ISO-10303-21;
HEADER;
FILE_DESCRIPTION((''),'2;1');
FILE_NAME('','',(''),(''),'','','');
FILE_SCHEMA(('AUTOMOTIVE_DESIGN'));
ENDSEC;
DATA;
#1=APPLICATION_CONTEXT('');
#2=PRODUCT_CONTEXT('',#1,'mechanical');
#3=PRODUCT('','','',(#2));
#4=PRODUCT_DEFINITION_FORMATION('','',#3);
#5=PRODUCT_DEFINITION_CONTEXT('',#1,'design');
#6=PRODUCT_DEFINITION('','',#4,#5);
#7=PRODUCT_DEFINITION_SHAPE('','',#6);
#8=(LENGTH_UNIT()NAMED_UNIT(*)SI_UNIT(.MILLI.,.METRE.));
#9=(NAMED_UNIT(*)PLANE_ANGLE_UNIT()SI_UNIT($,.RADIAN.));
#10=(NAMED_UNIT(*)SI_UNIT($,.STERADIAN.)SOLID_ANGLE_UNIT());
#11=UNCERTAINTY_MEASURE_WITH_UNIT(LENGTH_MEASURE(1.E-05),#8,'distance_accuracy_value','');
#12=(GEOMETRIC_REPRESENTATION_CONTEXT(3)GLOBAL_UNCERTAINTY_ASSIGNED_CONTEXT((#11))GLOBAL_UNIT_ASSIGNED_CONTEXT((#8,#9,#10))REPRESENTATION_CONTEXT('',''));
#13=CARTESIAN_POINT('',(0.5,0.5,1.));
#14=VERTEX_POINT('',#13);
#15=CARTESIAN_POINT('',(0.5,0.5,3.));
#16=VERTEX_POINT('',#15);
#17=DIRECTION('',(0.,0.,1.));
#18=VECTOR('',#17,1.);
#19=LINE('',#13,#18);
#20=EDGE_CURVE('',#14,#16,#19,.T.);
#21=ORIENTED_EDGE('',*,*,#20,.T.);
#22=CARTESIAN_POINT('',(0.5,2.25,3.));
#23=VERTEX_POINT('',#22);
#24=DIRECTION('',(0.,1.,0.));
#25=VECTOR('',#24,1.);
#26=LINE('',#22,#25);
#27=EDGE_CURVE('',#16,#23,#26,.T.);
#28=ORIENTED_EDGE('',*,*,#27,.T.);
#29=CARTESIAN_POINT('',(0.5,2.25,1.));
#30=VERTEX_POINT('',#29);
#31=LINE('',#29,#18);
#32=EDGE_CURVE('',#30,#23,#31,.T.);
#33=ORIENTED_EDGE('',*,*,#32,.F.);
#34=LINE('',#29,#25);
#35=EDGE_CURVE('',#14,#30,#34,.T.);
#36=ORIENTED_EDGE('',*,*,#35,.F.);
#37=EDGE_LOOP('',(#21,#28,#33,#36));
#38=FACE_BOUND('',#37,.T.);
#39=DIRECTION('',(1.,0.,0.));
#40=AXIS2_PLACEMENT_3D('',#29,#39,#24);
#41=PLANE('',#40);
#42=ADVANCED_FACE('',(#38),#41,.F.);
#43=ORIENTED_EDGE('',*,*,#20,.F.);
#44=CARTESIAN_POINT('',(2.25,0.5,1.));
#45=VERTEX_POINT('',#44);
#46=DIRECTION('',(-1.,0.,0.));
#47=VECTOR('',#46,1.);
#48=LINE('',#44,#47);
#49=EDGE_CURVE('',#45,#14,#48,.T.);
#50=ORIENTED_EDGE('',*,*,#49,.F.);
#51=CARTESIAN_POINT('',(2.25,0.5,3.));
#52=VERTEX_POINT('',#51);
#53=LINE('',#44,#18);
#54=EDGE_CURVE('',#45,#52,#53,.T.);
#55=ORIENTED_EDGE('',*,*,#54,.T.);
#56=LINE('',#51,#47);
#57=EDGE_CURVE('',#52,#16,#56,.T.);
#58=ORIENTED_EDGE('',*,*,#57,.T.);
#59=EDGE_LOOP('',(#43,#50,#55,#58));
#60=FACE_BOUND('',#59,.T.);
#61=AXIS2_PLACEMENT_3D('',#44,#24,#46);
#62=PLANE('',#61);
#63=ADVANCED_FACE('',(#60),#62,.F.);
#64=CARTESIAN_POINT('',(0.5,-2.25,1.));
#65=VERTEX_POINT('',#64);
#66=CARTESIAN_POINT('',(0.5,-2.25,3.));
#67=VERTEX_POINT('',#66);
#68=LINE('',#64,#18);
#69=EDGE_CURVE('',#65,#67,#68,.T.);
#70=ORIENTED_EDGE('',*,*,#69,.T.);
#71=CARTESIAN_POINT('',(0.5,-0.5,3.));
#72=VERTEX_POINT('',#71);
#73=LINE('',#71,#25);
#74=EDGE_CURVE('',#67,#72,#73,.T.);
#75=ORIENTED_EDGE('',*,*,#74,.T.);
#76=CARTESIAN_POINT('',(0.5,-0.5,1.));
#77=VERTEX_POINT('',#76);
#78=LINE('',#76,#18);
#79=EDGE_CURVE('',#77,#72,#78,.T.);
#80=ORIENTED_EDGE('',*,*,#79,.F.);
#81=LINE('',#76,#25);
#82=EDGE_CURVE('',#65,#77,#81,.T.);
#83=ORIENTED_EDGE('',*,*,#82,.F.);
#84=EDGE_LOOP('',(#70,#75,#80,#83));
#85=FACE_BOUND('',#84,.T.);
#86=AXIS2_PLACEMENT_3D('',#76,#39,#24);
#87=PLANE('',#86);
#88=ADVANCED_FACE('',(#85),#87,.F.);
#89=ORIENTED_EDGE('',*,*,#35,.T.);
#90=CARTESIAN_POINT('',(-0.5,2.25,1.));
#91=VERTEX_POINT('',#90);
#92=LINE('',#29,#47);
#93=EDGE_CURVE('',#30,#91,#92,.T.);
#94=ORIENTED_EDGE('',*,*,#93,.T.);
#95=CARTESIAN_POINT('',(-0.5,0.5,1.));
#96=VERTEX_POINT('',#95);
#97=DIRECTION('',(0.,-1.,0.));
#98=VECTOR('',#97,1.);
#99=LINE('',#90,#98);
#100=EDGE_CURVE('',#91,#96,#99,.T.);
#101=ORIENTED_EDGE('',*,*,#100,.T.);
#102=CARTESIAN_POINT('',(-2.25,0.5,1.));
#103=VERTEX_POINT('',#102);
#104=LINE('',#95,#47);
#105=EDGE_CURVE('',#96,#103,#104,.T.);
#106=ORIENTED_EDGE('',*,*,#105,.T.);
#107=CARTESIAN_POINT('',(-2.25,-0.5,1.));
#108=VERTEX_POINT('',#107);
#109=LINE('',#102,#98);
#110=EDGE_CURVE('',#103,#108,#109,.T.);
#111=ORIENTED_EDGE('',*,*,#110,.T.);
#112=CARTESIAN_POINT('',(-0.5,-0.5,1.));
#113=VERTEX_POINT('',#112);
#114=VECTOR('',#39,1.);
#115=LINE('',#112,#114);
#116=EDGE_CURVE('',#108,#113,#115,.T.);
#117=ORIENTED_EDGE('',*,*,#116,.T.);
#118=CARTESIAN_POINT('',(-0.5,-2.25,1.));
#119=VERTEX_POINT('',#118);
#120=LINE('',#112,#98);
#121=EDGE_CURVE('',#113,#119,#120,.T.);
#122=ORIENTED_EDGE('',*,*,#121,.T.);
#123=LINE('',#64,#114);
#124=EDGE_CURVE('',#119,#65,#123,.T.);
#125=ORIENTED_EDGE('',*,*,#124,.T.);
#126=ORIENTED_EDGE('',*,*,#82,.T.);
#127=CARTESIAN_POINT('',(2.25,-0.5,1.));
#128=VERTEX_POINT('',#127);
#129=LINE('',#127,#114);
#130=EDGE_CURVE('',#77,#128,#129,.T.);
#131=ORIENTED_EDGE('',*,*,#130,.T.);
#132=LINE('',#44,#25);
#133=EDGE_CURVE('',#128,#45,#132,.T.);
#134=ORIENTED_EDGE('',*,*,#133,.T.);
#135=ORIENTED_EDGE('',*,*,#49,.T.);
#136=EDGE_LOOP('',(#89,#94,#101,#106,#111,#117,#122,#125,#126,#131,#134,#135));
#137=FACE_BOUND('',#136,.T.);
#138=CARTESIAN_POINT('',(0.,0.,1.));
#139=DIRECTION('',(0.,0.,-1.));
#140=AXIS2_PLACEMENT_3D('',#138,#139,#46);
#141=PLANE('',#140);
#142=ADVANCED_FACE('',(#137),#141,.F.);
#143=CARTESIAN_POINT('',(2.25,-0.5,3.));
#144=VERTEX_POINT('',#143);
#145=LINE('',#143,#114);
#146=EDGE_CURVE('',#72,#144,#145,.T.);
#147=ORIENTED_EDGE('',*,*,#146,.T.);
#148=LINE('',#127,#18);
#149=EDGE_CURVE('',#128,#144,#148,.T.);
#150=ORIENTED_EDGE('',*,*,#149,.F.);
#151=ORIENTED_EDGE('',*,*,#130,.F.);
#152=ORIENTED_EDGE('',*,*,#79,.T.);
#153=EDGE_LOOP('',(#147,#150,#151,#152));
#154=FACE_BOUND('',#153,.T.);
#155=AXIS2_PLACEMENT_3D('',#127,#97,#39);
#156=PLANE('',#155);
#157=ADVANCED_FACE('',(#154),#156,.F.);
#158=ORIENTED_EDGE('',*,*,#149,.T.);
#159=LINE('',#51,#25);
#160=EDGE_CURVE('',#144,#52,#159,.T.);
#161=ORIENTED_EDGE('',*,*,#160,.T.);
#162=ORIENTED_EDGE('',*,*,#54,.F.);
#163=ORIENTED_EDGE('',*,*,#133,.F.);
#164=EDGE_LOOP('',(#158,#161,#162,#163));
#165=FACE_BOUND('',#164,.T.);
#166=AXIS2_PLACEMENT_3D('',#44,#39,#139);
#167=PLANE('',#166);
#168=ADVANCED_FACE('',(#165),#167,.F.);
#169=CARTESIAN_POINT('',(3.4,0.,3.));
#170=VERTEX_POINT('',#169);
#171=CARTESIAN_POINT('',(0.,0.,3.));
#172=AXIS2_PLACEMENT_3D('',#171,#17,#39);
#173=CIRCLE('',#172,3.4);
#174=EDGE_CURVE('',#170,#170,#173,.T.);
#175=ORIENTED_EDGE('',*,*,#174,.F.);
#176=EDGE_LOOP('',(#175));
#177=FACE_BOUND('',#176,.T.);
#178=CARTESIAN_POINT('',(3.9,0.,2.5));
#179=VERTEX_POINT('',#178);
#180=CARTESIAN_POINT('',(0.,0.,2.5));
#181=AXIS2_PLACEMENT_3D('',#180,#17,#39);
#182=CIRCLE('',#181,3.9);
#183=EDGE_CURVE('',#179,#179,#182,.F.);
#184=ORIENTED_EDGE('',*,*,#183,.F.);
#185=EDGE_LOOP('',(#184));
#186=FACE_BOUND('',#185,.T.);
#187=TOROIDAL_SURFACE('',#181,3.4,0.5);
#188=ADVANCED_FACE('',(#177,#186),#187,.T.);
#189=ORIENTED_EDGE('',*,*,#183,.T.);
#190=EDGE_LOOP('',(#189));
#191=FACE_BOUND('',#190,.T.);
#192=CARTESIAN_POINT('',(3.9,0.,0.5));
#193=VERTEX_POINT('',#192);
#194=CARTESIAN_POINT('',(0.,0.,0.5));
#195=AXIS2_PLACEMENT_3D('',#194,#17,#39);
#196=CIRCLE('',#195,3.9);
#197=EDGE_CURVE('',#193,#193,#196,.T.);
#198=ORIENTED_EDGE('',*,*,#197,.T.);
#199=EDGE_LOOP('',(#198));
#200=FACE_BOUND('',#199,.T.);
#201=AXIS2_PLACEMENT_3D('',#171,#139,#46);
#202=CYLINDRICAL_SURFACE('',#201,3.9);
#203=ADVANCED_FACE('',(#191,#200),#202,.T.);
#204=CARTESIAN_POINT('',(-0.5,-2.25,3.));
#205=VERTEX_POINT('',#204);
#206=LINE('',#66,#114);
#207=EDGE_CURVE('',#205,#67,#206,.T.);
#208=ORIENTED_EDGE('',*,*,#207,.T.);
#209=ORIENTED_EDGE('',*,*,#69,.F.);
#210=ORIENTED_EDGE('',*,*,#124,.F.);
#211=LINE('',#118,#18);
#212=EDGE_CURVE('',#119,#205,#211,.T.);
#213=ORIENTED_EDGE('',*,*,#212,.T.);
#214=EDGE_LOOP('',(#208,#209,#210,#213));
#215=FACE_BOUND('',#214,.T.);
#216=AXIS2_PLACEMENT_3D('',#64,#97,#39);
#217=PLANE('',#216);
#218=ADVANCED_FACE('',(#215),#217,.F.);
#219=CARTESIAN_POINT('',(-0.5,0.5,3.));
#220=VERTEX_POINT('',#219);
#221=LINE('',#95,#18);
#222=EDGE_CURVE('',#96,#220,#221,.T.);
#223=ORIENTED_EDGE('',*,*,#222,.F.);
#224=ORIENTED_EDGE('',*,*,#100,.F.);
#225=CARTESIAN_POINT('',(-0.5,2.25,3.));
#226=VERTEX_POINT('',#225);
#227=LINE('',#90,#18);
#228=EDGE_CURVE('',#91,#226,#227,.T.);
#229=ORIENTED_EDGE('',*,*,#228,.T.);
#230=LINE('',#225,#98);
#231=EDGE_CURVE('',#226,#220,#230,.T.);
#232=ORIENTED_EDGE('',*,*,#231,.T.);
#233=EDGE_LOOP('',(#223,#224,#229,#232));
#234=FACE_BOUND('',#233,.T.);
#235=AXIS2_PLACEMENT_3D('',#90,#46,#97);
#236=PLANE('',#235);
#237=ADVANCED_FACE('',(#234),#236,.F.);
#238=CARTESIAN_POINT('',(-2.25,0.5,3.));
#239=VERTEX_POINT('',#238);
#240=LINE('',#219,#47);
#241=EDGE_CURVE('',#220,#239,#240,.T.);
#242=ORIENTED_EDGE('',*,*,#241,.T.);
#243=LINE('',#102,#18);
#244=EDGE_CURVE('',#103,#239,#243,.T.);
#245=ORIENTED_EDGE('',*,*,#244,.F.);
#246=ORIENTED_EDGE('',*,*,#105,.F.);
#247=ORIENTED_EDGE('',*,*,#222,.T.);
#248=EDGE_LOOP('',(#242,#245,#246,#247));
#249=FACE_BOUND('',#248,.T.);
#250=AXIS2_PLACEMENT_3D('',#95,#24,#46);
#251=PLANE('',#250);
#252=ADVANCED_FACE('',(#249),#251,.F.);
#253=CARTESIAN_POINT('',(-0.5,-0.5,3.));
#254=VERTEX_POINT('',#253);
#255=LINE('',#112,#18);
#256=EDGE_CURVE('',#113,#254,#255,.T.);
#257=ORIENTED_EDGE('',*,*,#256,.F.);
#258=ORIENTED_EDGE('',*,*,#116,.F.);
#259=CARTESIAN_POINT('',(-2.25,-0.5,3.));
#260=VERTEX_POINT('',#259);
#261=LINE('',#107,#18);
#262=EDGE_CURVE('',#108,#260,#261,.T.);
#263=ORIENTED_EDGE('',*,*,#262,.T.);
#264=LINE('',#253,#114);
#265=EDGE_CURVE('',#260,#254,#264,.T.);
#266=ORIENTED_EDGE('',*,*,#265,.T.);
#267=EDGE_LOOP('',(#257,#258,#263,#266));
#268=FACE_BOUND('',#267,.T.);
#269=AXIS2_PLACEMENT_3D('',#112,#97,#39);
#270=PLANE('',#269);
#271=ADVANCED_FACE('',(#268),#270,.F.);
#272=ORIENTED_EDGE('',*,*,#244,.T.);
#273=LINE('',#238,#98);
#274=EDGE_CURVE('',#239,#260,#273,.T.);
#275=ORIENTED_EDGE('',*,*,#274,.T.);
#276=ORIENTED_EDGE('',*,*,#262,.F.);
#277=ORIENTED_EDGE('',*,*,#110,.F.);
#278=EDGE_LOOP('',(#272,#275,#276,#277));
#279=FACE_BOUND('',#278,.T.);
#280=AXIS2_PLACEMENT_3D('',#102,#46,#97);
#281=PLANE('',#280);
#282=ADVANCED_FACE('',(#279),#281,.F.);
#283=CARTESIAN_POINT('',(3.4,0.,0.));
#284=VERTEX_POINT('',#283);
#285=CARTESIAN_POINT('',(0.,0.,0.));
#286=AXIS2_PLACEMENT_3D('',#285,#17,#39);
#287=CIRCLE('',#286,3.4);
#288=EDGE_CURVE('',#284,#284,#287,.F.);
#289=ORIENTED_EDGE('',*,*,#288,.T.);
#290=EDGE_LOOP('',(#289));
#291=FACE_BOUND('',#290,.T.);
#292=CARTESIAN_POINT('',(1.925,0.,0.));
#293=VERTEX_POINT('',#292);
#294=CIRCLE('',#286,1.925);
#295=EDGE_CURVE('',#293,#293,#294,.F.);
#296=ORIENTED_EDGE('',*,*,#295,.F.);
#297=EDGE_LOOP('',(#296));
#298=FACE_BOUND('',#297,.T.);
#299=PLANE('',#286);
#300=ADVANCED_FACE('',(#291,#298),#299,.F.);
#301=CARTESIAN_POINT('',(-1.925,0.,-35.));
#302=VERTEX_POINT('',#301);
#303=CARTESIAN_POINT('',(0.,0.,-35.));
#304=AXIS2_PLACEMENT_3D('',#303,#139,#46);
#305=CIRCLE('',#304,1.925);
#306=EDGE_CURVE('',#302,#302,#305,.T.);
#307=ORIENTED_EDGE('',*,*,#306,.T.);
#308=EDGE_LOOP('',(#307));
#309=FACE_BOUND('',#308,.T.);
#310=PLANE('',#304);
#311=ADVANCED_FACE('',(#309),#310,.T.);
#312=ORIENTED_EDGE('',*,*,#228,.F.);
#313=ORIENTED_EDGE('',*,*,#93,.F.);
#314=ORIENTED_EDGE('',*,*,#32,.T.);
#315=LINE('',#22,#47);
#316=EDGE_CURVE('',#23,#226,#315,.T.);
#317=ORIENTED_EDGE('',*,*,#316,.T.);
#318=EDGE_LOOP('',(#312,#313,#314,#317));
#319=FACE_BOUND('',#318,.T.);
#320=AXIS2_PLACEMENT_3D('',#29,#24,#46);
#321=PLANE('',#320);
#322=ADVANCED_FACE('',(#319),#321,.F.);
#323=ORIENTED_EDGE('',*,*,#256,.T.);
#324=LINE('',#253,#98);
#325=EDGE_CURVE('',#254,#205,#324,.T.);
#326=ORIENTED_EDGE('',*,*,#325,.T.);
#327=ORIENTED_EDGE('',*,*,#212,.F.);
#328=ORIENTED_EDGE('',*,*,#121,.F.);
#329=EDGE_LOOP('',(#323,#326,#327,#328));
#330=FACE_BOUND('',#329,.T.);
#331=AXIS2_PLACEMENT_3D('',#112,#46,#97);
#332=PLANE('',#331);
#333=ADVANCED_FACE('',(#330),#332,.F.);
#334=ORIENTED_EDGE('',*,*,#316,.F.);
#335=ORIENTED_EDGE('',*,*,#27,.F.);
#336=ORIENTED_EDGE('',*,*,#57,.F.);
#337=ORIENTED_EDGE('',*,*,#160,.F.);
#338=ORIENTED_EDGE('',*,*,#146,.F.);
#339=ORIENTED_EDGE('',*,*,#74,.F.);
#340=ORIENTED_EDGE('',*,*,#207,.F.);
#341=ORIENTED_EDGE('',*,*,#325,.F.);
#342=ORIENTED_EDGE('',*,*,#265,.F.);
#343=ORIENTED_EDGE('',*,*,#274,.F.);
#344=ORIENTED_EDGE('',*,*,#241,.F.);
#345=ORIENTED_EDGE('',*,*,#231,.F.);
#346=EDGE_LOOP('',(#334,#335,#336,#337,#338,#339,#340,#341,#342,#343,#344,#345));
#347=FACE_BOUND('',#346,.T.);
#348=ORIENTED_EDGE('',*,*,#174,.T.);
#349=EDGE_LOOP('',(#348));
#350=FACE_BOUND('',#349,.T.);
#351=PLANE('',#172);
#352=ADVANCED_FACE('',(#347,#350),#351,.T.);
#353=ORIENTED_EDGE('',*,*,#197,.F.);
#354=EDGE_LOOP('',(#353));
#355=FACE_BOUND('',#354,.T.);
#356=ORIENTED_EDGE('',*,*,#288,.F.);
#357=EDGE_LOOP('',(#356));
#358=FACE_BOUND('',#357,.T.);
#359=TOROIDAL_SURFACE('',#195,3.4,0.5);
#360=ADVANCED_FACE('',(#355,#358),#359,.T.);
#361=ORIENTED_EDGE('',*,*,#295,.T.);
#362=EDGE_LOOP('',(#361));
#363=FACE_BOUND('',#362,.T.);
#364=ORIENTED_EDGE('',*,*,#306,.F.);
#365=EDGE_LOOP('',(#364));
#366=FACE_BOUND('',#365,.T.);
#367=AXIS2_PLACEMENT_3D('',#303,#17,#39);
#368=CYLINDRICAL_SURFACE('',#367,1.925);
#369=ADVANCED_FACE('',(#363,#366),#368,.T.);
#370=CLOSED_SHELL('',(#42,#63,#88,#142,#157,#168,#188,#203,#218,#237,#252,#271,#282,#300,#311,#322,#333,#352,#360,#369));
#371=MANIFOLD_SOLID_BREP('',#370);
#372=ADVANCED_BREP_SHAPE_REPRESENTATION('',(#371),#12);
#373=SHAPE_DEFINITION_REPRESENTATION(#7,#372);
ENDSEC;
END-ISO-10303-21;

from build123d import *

# Parameters (mm, degrees)
ESBO_O5_R                = 3.9
RESSALTO_EXTRUS_O2_DEPTH = 3
CORTE_EXTRUS_O3_DEPTH    = 2
FILETE1_R                = 0.5
ESBO_O8_R                = 1.925
RESSALTO_EXTRUS_O3_DEPTH = 35


with BuildPart() as part:
    # Esboço5 → Ressalto-extrusão2 (new body)
    with BuildSketch(Plane.XY):
        Circle(ESBO_O5_R)
    extrude(amount=RESSALTO_EXTRUS_O2_DEPTH)

    # Esboço7 → Corte-extrusão3 (cut)
    with BuildSketch(Plane.XY.offset(3)):
        Polygon((-0.5, -0.5), (-2.25, -0.5), (-2.25, 0.5), (-0.5, 0.5), (-0.5, 2.25), (0.5, 2.25), (0.5, 0.5), (2.25, 0.5), (2.25, -0.5), (0.5, -0.5), (0.5, -2.25), (-0.5, -2.25), align=None)
    extrude(amount=-CORTE_EXTRUS_O3_DEPTH, mode=Mode.SUBTRACT)

    # Filete1
    filete1_edges = [part.edges().sort_by_distance(p)[0] for p in [
        (-3.9, 0, 0),
        (-3.9, 0, 3),
    ]]
    fillet(filete1_edges, radius=FILETE1_R)

    # Esboço8 → Ressalto-extrusão3 (add)
    with BuildSketch(Plane(origin=(0, 0, 0), x_dir=(-1, 0, 0), z_dir=(0, 0, -1))):
        with Locations(Location((0, 0, 0), (0, 0, 180))):
            Circle(ESBO_O8_R)
    extrude(amount=RESSALTO_EXTRUS_O3_DEPTH)


solid = part.part
